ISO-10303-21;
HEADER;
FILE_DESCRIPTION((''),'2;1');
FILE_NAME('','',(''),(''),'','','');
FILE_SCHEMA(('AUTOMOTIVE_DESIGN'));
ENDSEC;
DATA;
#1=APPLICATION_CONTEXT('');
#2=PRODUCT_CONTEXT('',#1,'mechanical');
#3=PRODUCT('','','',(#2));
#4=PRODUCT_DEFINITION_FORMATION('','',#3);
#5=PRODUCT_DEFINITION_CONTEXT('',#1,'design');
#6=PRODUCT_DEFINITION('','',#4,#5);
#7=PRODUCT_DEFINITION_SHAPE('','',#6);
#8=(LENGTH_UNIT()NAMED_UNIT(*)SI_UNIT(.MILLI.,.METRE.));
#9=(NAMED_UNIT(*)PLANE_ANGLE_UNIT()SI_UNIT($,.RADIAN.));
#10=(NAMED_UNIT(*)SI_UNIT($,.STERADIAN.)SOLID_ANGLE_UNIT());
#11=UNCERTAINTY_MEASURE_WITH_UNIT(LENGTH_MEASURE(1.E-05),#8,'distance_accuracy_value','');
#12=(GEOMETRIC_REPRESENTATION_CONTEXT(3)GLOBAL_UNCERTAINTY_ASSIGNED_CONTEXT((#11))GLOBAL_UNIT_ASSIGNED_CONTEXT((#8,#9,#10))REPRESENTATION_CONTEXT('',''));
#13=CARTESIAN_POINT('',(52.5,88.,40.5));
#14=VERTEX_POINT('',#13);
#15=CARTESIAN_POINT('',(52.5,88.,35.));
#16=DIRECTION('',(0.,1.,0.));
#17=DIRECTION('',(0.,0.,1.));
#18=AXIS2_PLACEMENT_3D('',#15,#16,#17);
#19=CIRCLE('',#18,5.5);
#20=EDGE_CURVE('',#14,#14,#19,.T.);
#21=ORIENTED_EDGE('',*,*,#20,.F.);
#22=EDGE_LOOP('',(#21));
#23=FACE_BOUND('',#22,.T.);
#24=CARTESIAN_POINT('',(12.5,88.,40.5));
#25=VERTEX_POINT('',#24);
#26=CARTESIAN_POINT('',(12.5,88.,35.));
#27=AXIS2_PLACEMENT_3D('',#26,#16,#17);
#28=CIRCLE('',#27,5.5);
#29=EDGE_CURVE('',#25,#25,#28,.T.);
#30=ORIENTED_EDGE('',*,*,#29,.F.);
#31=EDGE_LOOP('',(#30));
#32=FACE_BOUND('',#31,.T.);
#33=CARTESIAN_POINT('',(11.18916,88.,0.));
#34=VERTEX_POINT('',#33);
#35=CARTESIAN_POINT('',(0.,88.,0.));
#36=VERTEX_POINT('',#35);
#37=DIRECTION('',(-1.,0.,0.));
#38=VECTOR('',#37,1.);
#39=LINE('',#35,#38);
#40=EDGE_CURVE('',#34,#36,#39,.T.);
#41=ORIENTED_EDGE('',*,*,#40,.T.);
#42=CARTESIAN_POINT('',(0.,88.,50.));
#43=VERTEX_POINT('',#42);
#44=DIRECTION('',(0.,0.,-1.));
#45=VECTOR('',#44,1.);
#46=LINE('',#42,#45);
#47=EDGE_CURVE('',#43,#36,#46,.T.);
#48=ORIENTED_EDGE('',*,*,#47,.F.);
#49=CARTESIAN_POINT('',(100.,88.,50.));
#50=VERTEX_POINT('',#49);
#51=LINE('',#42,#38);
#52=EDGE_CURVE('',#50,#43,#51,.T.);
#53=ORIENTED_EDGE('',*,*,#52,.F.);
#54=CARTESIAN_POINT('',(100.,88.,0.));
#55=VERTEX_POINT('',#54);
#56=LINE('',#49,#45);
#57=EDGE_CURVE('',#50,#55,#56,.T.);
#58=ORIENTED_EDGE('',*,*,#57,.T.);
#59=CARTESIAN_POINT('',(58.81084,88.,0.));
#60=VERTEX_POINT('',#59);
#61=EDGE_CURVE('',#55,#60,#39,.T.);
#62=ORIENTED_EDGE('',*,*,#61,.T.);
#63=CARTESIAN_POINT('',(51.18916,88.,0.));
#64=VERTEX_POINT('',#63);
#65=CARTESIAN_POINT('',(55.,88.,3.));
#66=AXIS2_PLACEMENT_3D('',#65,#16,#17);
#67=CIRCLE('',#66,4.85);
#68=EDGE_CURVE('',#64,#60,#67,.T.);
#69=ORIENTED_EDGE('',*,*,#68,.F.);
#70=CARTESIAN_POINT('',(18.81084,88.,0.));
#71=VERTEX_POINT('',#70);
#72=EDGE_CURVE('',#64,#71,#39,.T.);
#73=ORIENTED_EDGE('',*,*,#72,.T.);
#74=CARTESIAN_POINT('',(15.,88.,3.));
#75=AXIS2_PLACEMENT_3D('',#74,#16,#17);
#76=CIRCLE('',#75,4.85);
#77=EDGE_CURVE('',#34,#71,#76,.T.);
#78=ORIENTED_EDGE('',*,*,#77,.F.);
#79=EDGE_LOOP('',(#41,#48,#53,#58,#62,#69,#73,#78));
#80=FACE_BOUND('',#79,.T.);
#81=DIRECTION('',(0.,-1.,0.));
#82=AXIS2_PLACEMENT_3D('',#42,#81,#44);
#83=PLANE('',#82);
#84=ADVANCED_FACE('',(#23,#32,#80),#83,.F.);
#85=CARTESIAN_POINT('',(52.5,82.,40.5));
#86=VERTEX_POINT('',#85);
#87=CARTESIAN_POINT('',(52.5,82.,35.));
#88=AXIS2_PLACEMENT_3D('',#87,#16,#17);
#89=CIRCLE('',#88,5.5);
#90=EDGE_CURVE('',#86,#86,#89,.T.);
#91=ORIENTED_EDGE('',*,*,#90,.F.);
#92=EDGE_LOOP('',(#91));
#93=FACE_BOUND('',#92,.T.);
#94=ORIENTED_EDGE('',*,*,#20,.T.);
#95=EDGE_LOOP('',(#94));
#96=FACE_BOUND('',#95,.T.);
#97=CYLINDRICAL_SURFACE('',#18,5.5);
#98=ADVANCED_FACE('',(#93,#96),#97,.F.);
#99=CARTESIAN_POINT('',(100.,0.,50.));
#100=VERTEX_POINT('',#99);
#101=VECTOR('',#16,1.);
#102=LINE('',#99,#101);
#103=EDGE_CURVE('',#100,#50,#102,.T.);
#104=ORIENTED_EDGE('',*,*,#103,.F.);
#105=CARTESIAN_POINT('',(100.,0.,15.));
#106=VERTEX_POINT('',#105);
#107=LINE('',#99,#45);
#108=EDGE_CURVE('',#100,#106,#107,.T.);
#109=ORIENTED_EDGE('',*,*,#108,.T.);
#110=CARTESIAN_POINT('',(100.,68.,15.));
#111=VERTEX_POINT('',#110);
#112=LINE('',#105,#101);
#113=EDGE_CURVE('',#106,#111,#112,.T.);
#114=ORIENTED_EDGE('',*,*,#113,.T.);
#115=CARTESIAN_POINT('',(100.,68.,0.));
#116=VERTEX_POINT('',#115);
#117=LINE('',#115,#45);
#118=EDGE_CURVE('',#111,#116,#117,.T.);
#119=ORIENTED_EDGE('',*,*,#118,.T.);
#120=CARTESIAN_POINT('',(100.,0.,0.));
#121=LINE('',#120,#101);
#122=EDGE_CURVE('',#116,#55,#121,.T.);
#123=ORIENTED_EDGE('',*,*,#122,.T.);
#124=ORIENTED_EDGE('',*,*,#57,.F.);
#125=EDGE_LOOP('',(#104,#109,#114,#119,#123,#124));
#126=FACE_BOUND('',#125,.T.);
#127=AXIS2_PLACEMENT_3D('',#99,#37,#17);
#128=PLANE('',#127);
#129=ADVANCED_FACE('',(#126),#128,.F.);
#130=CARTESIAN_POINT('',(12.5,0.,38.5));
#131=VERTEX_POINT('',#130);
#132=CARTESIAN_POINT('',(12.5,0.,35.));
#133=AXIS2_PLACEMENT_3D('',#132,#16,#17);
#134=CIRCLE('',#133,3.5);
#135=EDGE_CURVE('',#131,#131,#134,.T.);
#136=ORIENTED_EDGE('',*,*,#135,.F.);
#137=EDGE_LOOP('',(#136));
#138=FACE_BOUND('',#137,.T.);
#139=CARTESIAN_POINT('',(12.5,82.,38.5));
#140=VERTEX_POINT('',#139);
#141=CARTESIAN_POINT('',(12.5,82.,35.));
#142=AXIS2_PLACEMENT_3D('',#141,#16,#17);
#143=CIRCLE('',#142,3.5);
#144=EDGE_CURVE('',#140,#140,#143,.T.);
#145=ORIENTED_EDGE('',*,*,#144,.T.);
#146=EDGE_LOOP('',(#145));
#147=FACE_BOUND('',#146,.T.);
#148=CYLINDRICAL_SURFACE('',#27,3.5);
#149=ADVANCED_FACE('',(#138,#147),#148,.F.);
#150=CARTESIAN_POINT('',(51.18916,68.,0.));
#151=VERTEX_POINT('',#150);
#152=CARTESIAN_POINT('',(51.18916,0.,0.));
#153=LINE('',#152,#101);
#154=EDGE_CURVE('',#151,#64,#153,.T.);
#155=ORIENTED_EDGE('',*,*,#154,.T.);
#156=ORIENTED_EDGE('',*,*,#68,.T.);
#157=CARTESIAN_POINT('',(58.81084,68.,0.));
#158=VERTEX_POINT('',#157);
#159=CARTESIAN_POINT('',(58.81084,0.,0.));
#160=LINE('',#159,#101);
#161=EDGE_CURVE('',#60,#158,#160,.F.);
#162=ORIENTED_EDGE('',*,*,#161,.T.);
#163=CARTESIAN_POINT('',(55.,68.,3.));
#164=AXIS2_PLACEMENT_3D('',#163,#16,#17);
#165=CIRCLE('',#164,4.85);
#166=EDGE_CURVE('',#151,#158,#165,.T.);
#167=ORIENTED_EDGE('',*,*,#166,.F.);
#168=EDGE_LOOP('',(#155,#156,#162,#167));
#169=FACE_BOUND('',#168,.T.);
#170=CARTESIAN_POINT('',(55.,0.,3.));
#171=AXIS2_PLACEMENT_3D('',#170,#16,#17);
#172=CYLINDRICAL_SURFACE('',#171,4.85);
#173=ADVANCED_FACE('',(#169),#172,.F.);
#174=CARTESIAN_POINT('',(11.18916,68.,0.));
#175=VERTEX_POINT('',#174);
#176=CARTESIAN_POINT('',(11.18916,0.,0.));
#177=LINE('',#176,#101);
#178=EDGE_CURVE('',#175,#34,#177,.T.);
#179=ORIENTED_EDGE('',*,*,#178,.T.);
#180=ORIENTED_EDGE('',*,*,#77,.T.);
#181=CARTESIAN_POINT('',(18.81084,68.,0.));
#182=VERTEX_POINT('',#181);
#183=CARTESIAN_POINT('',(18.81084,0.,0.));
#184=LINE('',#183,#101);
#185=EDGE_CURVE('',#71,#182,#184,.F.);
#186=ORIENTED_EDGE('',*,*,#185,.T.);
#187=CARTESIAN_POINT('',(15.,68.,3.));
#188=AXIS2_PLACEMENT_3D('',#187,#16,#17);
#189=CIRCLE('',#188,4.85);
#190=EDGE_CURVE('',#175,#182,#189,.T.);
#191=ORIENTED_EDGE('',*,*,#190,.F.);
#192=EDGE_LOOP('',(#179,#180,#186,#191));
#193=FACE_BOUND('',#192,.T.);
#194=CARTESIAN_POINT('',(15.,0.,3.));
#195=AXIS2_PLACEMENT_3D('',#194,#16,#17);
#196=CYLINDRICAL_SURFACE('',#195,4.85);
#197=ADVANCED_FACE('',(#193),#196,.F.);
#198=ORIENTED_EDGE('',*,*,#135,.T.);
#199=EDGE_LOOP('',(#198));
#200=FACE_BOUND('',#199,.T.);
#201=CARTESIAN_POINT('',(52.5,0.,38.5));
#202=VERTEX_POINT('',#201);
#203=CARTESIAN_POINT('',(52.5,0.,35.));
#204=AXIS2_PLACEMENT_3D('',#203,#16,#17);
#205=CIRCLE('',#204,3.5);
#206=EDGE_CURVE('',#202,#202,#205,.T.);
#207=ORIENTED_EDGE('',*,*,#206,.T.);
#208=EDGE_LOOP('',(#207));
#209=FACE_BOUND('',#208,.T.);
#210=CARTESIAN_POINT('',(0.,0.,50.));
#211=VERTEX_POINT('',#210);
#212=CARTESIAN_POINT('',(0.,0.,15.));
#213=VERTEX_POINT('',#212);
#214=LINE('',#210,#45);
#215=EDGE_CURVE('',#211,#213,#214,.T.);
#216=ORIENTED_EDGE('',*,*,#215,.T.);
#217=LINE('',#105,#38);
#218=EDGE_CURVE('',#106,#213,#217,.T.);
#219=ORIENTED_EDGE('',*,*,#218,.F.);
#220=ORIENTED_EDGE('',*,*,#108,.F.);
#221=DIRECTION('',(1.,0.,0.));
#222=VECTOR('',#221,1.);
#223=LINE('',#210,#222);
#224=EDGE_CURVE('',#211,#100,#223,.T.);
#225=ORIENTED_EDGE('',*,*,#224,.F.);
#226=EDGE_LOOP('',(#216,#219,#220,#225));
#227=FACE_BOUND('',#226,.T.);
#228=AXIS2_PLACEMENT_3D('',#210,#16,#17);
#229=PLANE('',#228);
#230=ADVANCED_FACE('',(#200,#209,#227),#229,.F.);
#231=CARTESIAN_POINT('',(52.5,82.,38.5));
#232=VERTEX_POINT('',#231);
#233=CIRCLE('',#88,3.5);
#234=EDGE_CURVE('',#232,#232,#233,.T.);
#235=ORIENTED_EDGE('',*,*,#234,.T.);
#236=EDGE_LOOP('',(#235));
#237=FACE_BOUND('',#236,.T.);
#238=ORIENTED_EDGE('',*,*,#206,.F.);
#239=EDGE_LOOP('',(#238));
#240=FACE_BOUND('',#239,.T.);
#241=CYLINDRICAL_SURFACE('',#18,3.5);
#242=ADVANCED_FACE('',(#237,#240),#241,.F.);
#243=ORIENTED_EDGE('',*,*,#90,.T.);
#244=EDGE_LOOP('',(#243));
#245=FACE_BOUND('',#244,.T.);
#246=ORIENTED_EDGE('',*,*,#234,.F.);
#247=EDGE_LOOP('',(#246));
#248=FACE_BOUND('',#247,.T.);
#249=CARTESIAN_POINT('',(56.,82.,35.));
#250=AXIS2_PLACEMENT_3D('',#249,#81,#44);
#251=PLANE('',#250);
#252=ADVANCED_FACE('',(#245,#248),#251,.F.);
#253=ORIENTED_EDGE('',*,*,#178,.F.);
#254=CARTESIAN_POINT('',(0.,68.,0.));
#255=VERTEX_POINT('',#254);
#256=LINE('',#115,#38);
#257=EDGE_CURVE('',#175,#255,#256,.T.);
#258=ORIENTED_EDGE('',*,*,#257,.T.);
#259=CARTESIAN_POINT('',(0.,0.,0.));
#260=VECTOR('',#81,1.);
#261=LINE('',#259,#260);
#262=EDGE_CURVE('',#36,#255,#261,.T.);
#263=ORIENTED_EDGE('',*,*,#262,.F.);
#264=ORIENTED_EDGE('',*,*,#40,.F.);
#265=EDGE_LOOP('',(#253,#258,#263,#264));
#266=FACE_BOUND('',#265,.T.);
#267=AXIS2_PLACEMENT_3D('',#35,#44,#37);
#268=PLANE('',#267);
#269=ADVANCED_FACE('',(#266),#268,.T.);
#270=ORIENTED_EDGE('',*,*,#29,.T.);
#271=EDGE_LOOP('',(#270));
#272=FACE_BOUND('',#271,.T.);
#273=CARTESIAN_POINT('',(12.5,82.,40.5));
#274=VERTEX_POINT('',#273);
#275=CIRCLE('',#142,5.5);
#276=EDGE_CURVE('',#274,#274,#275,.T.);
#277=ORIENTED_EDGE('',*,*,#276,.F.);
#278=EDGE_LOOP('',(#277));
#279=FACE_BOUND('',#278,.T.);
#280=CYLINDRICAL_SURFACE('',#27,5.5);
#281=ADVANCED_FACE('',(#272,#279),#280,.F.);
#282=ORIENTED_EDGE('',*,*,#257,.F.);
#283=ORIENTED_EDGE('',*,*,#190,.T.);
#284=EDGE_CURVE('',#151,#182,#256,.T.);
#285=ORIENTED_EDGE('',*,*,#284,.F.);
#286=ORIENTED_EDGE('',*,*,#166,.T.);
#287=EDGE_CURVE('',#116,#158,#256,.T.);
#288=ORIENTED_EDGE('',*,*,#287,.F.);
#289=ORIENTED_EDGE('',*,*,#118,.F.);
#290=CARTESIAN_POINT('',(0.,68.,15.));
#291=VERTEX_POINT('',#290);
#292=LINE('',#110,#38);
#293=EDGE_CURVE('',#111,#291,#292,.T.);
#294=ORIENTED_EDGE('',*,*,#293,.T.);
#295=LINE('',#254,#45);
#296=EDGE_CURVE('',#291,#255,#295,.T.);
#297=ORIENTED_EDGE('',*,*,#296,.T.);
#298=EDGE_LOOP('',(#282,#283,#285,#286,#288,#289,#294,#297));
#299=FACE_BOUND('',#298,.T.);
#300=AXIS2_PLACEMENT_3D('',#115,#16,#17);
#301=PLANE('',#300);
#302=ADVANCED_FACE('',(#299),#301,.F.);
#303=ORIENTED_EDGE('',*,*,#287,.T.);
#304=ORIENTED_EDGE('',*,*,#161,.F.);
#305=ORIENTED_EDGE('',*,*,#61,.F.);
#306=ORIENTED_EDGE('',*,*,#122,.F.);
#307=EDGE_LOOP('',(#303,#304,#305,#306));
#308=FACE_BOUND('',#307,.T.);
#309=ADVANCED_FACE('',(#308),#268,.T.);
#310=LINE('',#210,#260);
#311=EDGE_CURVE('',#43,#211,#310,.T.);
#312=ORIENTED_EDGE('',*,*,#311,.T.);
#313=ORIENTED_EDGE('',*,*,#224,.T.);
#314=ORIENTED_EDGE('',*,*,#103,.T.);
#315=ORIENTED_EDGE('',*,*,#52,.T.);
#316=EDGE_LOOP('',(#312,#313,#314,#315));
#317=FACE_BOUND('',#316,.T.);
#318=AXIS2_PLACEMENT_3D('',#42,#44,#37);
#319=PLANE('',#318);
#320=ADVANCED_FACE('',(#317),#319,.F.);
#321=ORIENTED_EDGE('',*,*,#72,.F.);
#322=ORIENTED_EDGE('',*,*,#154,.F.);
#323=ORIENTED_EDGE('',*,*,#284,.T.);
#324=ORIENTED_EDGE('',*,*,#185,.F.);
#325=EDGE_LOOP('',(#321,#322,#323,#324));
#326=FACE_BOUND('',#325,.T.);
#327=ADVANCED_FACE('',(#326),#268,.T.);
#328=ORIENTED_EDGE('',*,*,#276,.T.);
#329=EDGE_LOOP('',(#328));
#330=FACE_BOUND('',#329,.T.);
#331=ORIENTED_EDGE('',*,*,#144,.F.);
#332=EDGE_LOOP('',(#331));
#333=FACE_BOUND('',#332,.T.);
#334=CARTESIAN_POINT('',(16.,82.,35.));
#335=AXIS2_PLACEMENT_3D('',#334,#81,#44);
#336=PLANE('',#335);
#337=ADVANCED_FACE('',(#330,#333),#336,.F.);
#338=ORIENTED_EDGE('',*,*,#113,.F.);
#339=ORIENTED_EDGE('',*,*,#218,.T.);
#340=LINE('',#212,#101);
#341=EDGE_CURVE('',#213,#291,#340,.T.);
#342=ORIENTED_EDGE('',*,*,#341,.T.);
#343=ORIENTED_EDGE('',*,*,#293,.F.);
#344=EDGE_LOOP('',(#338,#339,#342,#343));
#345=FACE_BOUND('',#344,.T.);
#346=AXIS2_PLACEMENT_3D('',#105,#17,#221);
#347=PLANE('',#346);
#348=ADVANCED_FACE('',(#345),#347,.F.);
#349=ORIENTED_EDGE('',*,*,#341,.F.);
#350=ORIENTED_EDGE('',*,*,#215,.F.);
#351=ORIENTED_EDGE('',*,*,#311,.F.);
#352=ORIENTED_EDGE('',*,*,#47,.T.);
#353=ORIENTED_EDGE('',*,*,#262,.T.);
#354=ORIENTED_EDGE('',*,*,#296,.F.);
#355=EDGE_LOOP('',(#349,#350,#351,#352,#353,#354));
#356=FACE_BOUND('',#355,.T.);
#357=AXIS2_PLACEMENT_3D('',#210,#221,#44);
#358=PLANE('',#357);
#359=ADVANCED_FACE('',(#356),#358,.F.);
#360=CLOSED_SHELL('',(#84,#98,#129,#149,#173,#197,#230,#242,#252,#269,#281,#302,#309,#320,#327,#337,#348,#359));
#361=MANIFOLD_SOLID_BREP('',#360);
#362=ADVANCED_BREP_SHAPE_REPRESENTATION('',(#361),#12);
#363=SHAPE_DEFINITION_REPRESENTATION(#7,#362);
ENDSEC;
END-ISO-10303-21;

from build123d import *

# Parameters (mm, degrees)
SKETCH_1_W                   = 100
SKETCH_1_H                   = 88
EXTRUDE_1_DEPTH              = 50
SKETCH_2_W                   = 15
SKETCH_2_H                   = 68
CUT_EXTRUDE_1_DEPTH          = 143.281411295
SKETCH_4_R                   = 4.85
CUT_EXTRUDE_3_DEPTH          = 143.281411295
HOLE_WIZARD_M6_1_D           = 7
HOLE_WIZARD_M6_1_CBORE_D     = 11
HOLE_WIZARD_M6_1_CBORE_DEPTH = 6


with BuildPart() as part:
    # 草图1 → 凸台-拉伸1 (new body)
    with BuildSketch(Plane.XY):
        with Locations((50, 44)):
            Rectangle(SKETCH_1_W, SKETCH_1_H)
    extrude(amount=EXTRUDE_1_DEPTH)

    # 草图2 → 切除-拉伸1 (cut, through all)
    with BuildSketch(Plane.ZY):
        with Locations((7.5, 34)):
            Rectangle(SKETCH_2_W, SKETCH_2_H)
    extrude(amount=-CUT_EXTRUDE_1_DEPTH, mode=Mode.SUBTRACT)

    # 草图4 → 切除-拉伸3 (cut, through all)
    with BuildSketch(Plane(origin=(0, 88, 0), x_dir=(1, 0, 0), z_dir=(0, 1, 0))):
        with Locations((15, -3)):
            Circle(SKETCH_4_R)
        with Locations((55, -3)):
            Circle(SKETCH_4_R)
    extrude(amount=-CUT_EXTRUDE_3_DEPTH, mode=Mode.SUBTRACT)

    # M6 六角凹头螺钉的柱形沉头孔1 (through all)
    with Locations(Plane(origin=(0, 88, 0), x_dir=(-1, 0, 0), z_dir=(0, 1, 0))):
        with Locations((-12.5, 35), (-52.5, 35)):
            CounterBoreHole(HOLE_WIZARD_M6_1_D / 2, HOLE_WIZARD_M6_1_CBORE_D / 2, HOLE_WIZARD_M6_1_CBORE_DEPTH)


solid = part.part
